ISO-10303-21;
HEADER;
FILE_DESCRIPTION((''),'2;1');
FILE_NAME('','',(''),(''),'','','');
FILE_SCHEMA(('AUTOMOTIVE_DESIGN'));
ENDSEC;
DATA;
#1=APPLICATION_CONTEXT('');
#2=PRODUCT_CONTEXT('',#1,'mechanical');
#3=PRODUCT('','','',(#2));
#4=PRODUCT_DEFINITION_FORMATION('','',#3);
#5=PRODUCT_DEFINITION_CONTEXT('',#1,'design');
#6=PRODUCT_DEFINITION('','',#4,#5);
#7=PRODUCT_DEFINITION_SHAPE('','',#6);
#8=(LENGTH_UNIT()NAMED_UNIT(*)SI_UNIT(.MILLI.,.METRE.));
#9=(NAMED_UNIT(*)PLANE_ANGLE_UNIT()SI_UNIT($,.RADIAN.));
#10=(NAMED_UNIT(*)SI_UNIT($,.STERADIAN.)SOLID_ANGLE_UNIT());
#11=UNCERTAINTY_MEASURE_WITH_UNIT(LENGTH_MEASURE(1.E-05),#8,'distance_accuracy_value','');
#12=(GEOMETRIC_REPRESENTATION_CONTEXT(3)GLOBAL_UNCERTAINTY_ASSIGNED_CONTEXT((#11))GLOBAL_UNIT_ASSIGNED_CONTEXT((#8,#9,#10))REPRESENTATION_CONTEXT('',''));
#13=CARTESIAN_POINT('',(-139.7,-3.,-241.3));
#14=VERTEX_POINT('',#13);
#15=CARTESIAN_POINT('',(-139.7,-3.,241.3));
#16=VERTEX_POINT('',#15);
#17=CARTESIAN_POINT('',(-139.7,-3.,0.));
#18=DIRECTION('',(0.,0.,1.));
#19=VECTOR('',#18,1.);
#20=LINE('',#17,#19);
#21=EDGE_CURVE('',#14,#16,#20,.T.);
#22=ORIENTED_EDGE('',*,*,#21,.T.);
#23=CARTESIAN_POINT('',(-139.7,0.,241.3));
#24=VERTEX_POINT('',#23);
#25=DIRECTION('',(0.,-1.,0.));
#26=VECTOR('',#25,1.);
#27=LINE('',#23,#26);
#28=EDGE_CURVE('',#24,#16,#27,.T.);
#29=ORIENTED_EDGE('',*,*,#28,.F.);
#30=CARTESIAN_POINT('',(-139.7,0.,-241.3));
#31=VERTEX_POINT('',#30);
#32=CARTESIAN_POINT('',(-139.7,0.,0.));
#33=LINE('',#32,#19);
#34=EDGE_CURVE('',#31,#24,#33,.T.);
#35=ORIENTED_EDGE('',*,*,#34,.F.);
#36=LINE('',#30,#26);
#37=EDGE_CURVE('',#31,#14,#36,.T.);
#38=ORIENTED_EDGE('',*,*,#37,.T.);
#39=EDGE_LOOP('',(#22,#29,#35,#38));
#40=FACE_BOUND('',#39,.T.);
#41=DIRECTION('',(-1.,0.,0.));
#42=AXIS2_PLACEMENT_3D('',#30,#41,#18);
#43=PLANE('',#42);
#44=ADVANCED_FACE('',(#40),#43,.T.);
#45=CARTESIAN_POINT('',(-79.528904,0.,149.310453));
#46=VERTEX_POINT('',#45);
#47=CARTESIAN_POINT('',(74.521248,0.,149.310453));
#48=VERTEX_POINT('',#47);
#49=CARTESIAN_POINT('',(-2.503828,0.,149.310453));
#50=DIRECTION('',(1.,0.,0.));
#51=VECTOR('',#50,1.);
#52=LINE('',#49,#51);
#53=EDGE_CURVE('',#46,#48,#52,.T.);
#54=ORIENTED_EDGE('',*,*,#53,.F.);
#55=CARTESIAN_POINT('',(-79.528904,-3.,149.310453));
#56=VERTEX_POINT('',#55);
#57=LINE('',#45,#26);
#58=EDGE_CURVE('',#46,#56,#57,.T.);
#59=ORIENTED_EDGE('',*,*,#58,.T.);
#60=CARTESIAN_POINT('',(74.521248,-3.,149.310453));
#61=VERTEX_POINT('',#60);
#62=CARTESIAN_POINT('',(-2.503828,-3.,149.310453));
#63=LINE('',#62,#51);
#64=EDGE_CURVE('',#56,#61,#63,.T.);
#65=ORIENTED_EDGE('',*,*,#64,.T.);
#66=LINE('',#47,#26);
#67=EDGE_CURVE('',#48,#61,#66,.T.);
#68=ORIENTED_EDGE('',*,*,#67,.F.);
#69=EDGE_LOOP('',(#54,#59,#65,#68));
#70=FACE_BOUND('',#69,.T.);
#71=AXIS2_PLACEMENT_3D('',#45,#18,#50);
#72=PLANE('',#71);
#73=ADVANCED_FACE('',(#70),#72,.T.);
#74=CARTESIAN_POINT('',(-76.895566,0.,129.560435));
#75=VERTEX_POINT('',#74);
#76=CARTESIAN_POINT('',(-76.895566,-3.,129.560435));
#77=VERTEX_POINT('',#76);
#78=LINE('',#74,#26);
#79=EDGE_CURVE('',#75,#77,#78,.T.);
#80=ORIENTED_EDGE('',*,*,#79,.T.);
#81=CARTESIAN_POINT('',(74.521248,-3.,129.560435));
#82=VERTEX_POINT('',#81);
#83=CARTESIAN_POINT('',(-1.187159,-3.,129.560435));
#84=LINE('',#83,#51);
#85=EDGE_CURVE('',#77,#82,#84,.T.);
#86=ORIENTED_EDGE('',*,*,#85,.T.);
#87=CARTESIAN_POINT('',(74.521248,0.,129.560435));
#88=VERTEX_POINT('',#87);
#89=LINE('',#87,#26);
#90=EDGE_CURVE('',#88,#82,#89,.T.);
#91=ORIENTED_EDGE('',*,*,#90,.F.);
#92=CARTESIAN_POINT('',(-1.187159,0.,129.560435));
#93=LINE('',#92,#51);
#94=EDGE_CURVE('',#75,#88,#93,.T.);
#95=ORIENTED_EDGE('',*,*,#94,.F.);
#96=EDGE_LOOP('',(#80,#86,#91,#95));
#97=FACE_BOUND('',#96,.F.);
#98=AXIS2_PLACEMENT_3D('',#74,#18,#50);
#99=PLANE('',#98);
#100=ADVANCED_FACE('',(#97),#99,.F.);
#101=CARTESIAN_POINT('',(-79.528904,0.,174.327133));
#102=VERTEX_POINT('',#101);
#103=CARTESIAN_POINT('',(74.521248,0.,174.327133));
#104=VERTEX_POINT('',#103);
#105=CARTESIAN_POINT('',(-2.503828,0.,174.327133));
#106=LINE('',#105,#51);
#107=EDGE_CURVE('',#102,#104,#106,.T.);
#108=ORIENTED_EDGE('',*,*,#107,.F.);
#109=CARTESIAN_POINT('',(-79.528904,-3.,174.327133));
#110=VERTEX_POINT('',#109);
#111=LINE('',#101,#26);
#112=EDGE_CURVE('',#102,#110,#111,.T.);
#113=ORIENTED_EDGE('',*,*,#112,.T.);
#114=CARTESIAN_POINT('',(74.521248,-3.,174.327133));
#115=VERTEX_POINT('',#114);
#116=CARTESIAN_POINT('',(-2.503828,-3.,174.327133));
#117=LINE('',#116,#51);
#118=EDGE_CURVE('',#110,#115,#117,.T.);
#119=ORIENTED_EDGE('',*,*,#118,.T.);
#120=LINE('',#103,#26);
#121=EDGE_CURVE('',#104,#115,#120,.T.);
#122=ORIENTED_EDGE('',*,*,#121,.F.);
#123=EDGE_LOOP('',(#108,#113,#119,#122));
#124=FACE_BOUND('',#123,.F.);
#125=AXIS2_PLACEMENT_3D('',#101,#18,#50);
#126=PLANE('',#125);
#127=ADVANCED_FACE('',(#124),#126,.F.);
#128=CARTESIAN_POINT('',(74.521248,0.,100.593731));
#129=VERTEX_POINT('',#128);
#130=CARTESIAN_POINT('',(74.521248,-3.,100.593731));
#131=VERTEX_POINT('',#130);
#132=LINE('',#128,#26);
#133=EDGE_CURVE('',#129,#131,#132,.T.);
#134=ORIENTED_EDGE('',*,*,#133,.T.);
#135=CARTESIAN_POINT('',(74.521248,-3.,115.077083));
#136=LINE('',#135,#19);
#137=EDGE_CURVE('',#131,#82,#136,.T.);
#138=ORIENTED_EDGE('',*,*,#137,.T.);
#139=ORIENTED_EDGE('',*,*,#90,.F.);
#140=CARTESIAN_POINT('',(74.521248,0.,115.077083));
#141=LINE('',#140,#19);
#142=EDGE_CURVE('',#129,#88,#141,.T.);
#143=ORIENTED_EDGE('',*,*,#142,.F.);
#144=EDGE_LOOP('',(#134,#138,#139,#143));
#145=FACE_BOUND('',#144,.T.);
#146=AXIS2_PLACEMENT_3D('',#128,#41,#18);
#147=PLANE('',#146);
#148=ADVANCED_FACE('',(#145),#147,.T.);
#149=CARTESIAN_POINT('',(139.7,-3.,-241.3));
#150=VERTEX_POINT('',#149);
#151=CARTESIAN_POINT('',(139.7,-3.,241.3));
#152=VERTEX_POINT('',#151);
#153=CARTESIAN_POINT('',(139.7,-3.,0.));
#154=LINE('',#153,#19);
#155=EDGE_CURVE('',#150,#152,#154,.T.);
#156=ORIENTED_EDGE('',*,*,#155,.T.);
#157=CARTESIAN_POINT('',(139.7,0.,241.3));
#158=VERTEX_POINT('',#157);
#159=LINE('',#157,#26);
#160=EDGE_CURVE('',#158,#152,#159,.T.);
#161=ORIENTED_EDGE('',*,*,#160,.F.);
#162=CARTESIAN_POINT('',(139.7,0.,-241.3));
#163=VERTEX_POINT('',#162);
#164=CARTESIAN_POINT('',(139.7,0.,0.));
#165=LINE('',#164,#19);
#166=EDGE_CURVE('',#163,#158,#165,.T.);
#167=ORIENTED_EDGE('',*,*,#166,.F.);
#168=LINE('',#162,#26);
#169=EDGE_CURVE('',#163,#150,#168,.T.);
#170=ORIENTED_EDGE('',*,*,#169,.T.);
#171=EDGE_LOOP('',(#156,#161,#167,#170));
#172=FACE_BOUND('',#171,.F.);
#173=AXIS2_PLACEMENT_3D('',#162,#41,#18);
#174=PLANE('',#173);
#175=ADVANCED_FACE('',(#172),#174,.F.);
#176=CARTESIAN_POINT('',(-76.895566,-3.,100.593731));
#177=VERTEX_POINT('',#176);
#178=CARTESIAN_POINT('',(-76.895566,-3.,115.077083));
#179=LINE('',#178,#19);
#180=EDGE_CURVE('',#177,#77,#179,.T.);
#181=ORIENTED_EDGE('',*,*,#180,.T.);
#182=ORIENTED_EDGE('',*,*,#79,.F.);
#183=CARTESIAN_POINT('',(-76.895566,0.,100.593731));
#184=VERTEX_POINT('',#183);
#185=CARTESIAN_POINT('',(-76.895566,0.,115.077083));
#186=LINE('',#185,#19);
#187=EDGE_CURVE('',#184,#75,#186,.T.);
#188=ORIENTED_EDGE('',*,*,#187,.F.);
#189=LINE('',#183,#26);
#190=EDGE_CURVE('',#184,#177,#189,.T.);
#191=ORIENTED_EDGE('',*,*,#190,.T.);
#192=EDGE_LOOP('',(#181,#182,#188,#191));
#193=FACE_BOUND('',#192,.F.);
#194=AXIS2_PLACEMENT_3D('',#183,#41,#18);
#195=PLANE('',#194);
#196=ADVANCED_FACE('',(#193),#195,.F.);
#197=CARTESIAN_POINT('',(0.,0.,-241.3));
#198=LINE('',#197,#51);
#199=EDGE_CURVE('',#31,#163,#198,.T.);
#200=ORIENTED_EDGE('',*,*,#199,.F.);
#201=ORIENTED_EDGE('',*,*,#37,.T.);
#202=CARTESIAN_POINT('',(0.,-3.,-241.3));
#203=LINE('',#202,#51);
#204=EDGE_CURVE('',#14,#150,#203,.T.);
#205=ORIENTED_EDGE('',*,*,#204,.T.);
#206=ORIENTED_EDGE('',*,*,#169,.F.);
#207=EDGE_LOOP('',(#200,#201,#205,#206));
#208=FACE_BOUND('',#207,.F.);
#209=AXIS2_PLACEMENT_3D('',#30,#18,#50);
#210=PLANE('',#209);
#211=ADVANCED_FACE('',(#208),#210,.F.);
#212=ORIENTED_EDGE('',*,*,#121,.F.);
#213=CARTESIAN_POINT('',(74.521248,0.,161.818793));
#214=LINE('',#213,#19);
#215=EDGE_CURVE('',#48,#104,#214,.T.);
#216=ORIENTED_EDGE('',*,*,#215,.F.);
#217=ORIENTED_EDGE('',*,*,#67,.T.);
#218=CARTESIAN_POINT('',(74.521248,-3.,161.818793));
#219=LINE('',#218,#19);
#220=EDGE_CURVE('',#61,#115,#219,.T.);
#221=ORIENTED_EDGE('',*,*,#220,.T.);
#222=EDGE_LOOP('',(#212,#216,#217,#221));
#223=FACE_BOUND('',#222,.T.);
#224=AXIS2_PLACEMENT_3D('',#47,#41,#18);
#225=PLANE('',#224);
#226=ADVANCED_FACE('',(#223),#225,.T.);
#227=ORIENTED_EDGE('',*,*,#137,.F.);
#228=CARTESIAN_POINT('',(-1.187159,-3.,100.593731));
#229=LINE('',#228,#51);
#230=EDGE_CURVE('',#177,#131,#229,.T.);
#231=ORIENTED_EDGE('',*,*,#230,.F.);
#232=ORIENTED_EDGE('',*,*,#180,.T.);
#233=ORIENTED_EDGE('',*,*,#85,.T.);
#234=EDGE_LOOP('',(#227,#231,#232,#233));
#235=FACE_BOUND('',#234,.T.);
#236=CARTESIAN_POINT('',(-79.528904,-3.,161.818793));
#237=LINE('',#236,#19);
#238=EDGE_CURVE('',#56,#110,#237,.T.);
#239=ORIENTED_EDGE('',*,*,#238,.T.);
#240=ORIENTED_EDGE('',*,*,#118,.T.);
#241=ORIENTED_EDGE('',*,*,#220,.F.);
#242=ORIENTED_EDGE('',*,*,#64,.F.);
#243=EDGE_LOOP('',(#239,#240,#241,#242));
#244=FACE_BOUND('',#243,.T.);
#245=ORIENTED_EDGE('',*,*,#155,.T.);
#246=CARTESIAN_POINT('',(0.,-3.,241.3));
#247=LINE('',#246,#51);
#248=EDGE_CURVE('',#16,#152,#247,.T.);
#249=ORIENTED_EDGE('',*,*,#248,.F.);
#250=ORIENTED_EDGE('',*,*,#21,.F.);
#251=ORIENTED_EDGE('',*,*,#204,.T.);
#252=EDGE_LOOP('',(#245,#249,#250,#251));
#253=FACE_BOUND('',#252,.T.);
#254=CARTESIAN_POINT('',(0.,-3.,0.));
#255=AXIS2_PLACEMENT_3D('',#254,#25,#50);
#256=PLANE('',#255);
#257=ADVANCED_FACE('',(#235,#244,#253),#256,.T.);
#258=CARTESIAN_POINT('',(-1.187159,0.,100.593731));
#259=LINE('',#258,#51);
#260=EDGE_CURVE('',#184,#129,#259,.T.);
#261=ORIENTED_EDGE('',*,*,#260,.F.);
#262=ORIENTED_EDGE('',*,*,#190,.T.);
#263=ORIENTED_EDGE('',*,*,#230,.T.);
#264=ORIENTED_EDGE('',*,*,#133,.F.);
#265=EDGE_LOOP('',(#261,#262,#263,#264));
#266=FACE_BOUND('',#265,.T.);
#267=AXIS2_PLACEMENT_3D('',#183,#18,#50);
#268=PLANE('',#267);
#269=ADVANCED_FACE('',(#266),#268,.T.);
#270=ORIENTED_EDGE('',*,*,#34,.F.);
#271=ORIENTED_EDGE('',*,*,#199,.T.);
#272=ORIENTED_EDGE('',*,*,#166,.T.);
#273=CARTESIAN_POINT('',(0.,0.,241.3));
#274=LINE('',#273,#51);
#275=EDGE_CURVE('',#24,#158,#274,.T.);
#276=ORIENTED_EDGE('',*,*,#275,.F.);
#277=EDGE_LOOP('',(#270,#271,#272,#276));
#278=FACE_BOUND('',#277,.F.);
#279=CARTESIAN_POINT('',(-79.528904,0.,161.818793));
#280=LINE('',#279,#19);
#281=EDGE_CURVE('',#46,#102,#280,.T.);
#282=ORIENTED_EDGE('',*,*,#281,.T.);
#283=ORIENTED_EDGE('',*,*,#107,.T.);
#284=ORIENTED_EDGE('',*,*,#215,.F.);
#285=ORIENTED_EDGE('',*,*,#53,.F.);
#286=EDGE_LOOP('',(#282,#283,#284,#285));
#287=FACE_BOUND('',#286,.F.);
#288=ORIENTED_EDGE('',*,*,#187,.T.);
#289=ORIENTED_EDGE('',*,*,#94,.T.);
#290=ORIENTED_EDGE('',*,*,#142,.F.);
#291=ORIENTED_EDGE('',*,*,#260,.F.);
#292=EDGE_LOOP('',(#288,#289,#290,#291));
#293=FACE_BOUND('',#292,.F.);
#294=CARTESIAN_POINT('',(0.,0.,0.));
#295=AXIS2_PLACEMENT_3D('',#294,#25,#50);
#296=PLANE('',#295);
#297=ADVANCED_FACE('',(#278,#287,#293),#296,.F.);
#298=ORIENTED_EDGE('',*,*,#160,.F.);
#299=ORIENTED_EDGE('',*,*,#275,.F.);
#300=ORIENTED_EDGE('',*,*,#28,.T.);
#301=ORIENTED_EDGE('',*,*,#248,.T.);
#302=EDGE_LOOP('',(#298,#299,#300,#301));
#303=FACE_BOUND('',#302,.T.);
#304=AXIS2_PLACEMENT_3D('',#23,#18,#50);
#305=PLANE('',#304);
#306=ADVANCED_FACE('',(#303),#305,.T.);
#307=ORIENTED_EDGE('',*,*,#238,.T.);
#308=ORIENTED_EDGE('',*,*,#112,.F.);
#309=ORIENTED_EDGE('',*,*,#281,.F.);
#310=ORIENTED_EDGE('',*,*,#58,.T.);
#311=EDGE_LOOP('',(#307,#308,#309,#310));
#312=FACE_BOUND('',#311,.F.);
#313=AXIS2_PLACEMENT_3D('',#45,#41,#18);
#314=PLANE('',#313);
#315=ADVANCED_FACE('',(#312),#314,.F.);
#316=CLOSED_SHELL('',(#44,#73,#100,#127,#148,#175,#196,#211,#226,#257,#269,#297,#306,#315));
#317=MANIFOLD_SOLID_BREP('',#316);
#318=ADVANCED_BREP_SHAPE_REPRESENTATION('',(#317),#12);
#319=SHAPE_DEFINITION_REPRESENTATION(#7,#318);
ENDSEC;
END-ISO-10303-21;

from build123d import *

# Parameters (mm, degrees)
F0_W     = 279.4
F0_H     = 482.6
F0_W_2   = 151.416814
F0_H_2   = 28.966704
F0_W_3   = 154.050152
F0_H_3   = 25.01668
F1_DEPTH = 3


with BuildPart() as f1:
    # F0 (on Front) → F1 (new body)
    with BuildSketch(Plane.XZ):
        Rectangle(F0_W, F0_H)
        with Locations((-1.187159, 115.077083)):
            Rectangle(F0_W_2, F0_H_2, mode=Mode.SUBTRACT)
        with Locations((-2.503828, 161.818793)):
            Rectangle(F0_W_3, F0_H_3, mode=Mode.SUBTRACT)
    extrude(amount=F1_DEPTH)


solid = f1.part
